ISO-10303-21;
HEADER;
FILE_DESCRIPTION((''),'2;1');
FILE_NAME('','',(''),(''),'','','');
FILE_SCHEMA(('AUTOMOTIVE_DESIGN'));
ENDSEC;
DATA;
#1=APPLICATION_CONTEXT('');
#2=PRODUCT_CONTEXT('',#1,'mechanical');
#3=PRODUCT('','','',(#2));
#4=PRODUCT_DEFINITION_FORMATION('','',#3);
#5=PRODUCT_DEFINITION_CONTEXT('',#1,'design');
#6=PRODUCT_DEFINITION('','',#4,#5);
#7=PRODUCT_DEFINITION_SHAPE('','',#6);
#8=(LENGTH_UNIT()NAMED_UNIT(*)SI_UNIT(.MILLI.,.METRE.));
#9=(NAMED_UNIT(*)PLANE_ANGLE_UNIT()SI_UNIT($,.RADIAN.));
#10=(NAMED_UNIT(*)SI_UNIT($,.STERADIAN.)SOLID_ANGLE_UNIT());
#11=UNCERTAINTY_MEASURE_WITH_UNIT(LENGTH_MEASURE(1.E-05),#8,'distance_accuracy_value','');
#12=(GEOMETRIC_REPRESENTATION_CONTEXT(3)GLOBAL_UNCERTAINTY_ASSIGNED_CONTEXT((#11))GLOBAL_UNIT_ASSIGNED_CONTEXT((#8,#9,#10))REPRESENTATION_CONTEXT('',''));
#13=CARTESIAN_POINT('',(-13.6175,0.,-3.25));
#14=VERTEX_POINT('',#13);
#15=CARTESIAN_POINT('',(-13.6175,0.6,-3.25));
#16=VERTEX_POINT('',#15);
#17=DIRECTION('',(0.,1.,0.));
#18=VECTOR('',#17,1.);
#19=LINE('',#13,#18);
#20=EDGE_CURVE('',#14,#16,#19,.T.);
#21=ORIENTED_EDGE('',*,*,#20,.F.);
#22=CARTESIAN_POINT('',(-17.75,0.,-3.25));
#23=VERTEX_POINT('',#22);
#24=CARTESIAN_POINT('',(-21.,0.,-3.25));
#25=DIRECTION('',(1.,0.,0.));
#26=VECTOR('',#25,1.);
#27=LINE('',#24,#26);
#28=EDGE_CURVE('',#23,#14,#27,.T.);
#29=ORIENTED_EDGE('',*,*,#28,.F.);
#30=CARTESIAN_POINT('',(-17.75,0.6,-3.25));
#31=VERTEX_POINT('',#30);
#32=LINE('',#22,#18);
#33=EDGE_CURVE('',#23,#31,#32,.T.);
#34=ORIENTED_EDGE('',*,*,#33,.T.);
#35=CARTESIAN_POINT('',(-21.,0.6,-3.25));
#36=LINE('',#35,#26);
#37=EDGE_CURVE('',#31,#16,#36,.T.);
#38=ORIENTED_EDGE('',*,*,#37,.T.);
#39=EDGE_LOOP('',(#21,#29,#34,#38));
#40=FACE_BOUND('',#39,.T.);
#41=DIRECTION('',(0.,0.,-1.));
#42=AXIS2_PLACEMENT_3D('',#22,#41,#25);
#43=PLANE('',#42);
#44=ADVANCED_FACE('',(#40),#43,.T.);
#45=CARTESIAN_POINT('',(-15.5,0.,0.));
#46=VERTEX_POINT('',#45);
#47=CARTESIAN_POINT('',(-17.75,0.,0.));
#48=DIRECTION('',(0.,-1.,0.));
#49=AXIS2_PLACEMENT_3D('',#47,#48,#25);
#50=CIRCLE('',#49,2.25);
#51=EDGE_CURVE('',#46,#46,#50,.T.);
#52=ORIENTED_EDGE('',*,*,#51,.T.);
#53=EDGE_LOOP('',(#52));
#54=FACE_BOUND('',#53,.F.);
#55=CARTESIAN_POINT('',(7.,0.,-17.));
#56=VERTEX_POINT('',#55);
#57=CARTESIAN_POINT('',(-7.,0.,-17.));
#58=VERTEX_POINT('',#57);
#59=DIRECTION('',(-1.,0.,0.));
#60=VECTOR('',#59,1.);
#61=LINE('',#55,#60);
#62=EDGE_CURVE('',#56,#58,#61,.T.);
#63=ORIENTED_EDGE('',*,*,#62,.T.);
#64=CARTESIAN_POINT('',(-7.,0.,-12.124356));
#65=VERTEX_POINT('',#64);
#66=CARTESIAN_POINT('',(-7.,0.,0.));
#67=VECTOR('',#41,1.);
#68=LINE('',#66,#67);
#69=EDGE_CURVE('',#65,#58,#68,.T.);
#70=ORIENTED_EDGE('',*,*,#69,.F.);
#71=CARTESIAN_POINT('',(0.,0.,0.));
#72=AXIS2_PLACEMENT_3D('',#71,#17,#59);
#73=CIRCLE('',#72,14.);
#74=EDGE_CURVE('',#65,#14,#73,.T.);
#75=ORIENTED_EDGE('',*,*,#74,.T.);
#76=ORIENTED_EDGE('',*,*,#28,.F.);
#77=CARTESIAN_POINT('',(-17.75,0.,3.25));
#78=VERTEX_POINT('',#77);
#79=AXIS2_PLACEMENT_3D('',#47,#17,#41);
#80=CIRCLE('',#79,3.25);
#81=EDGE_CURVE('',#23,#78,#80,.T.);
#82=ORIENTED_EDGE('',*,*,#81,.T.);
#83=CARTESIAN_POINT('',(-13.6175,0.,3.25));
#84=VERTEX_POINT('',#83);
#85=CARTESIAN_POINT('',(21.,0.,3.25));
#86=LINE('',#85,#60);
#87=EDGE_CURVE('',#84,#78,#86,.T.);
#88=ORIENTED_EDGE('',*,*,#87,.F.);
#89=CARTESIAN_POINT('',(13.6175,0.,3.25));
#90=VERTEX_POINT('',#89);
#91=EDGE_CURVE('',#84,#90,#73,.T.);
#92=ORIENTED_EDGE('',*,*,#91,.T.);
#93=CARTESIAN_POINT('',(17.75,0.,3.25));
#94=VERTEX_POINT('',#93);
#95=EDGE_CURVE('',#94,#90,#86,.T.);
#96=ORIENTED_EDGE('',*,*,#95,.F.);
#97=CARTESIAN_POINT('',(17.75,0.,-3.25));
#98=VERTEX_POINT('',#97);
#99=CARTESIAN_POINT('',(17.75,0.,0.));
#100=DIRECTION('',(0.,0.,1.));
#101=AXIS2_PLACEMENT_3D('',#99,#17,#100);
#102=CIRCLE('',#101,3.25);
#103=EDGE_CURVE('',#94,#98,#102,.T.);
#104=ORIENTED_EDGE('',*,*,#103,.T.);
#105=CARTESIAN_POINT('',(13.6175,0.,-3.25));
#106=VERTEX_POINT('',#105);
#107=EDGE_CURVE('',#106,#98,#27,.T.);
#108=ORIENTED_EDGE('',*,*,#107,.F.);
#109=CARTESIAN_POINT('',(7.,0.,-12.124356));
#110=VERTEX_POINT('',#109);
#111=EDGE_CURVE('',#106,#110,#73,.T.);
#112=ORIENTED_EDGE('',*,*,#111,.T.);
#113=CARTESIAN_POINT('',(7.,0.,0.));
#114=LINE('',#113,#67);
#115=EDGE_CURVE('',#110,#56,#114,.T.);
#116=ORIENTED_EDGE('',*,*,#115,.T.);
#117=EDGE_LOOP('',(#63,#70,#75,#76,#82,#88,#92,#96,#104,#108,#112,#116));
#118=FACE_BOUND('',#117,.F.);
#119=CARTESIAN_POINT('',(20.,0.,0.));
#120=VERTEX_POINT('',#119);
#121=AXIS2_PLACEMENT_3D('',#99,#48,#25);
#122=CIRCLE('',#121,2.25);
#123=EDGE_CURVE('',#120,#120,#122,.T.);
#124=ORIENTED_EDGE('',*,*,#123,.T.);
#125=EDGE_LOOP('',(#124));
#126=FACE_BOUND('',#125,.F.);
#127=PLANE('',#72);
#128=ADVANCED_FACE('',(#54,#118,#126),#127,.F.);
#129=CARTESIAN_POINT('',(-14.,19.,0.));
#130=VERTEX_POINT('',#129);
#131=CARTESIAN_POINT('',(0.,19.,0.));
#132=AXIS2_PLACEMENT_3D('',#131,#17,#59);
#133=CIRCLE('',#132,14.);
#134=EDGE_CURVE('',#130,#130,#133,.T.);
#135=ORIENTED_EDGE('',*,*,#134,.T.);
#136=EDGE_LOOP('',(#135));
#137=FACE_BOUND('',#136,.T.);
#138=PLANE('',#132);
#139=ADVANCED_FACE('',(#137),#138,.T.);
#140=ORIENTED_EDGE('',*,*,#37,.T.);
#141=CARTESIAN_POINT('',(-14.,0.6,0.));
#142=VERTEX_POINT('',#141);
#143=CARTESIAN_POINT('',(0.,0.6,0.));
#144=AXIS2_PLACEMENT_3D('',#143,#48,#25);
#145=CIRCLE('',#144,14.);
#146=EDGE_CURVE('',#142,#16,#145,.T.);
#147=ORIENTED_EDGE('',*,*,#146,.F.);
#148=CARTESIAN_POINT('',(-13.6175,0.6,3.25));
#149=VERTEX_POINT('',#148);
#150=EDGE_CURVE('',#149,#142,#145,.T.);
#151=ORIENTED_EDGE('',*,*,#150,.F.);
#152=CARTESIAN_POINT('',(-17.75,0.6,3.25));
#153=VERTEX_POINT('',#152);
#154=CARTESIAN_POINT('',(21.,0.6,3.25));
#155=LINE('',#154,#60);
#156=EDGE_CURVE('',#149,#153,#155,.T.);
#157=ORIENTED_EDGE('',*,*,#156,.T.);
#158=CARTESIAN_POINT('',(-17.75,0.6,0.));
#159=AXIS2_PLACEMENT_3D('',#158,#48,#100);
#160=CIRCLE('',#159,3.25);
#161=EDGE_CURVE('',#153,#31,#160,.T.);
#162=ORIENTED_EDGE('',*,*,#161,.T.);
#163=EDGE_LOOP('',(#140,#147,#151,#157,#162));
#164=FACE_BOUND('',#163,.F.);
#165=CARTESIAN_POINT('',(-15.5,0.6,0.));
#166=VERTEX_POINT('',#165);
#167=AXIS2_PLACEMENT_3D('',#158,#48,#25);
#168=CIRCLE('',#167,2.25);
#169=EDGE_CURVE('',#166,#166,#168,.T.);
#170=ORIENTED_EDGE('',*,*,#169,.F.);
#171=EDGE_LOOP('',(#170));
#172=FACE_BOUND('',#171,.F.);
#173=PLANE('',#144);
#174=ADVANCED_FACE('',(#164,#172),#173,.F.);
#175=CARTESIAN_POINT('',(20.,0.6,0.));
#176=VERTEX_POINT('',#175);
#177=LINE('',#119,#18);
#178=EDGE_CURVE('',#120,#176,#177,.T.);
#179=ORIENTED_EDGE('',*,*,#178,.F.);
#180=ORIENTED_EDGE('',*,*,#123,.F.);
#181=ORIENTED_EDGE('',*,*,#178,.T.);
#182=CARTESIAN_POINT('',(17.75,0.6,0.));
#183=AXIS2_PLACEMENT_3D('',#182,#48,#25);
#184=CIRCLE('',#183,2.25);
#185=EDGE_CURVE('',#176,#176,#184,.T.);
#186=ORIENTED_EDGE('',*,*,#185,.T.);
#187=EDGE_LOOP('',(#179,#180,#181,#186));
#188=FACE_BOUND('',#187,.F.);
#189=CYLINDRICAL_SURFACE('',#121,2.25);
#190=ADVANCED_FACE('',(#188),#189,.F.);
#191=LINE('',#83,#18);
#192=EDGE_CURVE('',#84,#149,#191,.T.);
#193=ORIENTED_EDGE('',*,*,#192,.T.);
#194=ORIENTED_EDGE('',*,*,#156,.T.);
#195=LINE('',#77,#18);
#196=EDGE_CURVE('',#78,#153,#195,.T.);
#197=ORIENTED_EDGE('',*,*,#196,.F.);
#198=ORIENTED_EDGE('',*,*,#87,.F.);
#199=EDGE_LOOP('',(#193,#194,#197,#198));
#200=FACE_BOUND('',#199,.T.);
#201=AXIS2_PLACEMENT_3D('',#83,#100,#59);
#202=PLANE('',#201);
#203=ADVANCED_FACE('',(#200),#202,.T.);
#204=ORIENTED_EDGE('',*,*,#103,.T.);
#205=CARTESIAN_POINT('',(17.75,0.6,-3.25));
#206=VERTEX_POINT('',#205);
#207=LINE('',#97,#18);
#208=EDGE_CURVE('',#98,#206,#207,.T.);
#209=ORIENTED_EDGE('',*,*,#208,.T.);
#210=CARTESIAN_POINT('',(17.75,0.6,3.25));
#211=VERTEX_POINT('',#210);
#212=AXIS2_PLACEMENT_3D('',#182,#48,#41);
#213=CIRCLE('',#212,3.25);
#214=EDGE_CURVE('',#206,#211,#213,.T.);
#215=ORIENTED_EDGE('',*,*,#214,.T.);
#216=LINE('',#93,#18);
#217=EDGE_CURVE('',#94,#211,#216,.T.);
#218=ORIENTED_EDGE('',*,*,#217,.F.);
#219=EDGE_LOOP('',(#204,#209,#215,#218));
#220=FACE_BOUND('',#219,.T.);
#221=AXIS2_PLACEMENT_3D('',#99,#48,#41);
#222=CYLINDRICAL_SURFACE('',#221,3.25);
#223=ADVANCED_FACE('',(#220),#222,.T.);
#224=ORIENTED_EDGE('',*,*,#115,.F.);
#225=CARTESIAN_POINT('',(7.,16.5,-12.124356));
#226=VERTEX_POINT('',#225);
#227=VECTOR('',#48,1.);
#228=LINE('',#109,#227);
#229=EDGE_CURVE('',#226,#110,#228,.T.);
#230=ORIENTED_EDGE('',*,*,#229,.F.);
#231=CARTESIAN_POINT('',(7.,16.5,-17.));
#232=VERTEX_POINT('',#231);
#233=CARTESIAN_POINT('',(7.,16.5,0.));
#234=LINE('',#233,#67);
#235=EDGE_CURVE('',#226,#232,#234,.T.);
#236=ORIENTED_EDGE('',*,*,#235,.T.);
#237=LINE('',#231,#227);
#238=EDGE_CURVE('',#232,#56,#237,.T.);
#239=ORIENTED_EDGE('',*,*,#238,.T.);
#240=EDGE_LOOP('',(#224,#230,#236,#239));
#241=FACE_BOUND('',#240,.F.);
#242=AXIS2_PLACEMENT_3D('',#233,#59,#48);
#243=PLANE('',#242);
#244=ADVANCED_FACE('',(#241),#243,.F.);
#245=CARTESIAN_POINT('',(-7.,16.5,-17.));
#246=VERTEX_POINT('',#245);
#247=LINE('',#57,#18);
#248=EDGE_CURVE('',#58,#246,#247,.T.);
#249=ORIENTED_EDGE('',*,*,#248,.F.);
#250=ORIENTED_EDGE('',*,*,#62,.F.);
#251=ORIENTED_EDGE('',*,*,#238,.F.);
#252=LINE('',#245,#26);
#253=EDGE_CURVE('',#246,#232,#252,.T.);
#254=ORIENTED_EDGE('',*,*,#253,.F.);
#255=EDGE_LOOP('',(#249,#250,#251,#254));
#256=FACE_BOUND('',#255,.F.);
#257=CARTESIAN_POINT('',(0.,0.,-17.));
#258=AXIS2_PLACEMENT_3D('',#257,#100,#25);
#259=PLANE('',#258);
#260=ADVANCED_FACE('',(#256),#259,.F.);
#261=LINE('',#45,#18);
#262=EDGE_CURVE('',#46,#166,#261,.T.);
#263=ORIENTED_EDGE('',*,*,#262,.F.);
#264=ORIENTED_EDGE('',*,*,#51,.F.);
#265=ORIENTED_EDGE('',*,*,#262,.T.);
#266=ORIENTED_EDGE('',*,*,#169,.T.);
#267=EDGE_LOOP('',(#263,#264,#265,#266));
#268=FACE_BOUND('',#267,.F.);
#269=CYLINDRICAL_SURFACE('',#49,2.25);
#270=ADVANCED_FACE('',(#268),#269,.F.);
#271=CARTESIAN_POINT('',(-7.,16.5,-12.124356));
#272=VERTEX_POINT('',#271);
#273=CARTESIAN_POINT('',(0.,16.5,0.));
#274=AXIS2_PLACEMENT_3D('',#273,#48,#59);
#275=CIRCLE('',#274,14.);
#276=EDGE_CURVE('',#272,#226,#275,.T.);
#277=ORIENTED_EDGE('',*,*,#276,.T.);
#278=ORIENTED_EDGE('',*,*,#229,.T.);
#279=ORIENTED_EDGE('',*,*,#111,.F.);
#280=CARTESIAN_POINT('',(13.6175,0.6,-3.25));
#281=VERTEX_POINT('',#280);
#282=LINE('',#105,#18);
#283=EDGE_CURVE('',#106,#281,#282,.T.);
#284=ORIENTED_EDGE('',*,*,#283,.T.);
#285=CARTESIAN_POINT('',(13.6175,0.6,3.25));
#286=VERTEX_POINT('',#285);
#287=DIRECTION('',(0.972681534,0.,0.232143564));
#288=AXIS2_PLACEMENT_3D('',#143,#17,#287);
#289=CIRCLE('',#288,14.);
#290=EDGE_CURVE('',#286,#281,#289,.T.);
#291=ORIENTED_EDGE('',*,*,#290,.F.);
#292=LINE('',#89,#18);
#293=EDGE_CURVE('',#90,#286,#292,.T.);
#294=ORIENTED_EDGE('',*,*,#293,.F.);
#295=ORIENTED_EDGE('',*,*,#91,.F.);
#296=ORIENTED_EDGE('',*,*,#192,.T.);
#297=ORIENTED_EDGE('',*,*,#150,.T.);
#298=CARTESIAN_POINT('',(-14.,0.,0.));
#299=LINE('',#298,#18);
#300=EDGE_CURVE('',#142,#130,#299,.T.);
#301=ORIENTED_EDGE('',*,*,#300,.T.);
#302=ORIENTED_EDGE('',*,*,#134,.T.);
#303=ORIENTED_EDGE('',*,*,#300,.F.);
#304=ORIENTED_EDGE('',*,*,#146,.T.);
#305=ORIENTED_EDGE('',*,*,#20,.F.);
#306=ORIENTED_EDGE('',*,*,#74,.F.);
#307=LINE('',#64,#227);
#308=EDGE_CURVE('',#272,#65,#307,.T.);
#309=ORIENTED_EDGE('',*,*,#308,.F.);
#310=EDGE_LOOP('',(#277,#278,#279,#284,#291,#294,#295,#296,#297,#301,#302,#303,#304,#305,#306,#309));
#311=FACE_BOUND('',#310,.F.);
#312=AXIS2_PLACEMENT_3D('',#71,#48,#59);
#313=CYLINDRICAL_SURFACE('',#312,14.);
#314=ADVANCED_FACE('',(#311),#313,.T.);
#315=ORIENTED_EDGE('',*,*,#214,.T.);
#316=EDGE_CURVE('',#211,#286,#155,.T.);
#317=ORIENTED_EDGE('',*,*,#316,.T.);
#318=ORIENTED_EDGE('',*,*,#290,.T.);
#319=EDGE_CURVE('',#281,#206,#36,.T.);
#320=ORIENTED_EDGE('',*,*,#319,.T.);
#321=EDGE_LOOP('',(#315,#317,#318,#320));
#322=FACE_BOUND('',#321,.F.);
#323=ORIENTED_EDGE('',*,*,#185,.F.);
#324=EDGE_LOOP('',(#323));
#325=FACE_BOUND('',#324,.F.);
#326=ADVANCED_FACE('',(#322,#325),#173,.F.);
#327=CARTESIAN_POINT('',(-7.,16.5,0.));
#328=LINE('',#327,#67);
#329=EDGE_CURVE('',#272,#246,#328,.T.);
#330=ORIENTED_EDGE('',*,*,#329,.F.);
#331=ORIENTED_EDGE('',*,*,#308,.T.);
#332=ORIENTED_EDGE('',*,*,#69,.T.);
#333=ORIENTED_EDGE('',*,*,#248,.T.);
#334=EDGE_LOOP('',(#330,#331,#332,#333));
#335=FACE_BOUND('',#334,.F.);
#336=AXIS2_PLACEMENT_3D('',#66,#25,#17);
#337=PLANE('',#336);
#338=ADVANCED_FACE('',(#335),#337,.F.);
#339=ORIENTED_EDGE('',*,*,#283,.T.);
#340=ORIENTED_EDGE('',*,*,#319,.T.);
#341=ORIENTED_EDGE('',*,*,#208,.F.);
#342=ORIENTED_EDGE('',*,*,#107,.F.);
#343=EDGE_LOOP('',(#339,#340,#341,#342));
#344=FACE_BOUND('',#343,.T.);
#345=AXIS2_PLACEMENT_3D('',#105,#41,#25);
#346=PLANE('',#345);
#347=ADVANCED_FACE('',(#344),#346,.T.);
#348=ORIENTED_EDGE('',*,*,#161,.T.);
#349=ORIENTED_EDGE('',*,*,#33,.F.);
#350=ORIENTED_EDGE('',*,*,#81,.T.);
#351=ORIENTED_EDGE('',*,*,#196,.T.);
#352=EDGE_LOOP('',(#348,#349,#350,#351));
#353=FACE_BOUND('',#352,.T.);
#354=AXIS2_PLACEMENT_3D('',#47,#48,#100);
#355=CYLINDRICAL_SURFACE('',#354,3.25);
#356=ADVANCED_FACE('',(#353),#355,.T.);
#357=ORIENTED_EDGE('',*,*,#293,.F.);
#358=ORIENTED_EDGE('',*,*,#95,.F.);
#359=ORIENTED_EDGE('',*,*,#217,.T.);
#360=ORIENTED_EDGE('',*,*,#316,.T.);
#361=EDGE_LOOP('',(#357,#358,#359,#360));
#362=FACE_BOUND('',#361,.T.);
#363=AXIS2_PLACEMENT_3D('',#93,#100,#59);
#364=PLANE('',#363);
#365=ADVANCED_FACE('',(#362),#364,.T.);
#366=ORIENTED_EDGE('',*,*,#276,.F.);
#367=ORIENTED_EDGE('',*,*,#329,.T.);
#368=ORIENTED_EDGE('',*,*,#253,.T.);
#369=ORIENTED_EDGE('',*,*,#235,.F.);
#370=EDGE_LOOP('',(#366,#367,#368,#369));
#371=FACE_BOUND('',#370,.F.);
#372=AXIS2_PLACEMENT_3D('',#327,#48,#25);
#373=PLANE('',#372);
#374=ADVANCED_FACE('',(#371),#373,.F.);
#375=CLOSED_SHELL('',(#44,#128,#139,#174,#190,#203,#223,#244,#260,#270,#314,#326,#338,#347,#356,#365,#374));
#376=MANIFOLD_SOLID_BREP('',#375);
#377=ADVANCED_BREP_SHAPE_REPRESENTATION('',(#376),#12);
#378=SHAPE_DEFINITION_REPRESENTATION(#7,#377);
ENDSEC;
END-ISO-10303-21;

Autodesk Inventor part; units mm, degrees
ref_plane "YZ Plane" through (0, 0, 0) normal (1, 0, 0) x (0, 1, 0)
ref_plane "XZ Plane" through (0, 0, 0) normal (0, 1, 0) x (-1, 0, 0)
ref_plane "XY Plane" through (0, 0, 0) normal (0, 0, 1) x (1, 0, 0)
sketch "Esquisse1" plane through (0, 0, 0) normal (0, 1, 0) x (-1, 0, 0)
  circle A0 centre (0, 0) radius 14
  dimension "d0" = 28
extrude "Extrusion1" add sketch "Esquisse1" along normal blind 19
sketch "Esquisse2" plane through (0, 0, 0) normal (0, -1, 0) x (1, 0, 0)
  line L0 (-21, -3.25) -> (21, -3.25)
  line L1 (21, -3.25) -> (21, 3.25)
  line L2 (21, 3.25) -> (-21, 3.25)
  line L3 (-21, 3.25) -> (-21, -3.25)
  line L4 (-21, -3.25) -> (21, 3.25) construction
  line L5 (21, -3.25) -> (-21, 3.25) construction
  circle A0 centre (-17.75, 0) radius 2.25
  circle A1 centre (17.75, 0) radius 2.25
  arc A2 (-17.75, 3.25) -> (-17.75, -3.25) centre (-17.75, 0) ccw
  arc A3 (17.75, -3.25) -> (17.75, 3.25) centre (17.75, 0) ccw
  circle A4 centre (0, 0) radius 14 projected
  arc A5 (13.6175, -3.25) -> (13.6175, 3.25) centre (0, 0) ccw
  arc A6 (-13.6175, 3.25) -> (-13.6175, -3.25) centre (0, 0) ccw
  line L6 (-17.75, 3.25) -> (-13.6175, 3.25)
  line L7 (-17.75, -3.25) -> (-13.6175, -3.25)
  line L8 (13.6175, -3.25) -> (17.75, -3.25)
  line L9 (17.75, 3.25) -> (13.6175, 3.25)
  dimension "d3" = 42
  dimension "d4" = 6.5
  dimension "d5" = 4.5
  dimension "d6" = 4.5
  dimension "d7" = 3.25
  dimension "d8" = 3.25
extrude "Extrusion2" add sketch "Esquisse2" against normal blind 0.6 contours A2 L2 A4 L0 | A4 L2 A3 L0
sketch "Esquisse3" plane through (0, 0, 0) normal (0, 0, 1) x (1, 0, 0)
  line L0 (7, 0) -> (-7, 0)
  line L1 (-7, 0) -> (-7, 16.5)
  line L2 (-7, 16.5) -> (7, 16.5)
  line L3 (7, 16.5) -> (7, 0)
  point P0 (0, 0)
  dimension "d11" = 16.5
  dimension "d14" = 14
  dimension "d15" = 7
extrude "Extrusion3" add sketch "Esquisse3" against normal blind 17
properties part number "PasAPasCarcasse"
